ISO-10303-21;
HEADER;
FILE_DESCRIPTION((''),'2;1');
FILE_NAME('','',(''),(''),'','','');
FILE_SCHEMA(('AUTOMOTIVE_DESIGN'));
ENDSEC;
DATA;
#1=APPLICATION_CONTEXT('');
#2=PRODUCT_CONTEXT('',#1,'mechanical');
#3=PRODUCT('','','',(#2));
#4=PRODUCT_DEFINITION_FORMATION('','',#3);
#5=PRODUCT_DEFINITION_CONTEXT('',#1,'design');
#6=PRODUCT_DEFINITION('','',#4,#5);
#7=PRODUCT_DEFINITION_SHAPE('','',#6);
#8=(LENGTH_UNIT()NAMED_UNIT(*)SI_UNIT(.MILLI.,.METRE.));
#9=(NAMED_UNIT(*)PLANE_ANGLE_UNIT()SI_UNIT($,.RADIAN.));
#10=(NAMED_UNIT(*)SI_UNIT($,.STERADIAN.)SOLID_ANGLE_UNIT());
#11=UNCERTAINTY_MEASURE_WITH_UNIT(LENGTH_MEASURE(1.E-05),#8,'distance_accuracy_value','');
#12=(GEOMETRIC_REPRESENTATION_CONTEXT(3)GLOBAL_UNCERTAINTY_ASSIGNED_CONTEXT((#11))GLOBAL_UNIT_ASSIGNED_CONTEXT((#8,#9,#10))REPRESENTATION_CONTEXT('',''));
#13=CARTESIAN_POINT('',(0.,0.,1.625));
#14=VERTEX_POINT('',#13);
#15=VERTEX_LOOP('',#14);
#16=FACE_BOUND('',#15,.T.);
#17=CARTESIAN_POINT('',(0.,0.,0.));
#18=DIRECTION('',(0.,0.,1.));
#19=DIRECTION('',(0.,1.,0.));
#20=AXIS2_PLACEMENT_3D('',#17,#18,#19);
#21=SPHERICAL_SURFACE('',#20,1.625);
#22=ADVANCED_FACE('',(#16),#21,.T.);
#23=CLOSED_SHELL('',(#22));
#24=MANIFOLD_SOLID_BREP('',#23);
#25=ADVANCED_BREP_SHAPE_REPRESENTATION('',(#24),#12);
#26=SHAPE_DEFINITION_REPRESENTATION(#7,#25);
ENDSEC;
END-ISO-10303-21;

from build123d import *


with BuildPart() as part:
    # Эскиз1 → Повернуть1 (revolve)
    with BuildSketch(Plane(origin=(0, 0, 0), x_dir=(0, 0, -1), z_dir=(1, 0, 0))):
        with BuildLine():
            Line((-1.625, 0), (1.625, 0))
            ThreePointArc((1.625, 0), (0, 1.625), (-1.625, 0))
        make_face()
    revolve(axis=Axis((0, 0, 1.625), (0, 0, -1)))


solid = part.part
